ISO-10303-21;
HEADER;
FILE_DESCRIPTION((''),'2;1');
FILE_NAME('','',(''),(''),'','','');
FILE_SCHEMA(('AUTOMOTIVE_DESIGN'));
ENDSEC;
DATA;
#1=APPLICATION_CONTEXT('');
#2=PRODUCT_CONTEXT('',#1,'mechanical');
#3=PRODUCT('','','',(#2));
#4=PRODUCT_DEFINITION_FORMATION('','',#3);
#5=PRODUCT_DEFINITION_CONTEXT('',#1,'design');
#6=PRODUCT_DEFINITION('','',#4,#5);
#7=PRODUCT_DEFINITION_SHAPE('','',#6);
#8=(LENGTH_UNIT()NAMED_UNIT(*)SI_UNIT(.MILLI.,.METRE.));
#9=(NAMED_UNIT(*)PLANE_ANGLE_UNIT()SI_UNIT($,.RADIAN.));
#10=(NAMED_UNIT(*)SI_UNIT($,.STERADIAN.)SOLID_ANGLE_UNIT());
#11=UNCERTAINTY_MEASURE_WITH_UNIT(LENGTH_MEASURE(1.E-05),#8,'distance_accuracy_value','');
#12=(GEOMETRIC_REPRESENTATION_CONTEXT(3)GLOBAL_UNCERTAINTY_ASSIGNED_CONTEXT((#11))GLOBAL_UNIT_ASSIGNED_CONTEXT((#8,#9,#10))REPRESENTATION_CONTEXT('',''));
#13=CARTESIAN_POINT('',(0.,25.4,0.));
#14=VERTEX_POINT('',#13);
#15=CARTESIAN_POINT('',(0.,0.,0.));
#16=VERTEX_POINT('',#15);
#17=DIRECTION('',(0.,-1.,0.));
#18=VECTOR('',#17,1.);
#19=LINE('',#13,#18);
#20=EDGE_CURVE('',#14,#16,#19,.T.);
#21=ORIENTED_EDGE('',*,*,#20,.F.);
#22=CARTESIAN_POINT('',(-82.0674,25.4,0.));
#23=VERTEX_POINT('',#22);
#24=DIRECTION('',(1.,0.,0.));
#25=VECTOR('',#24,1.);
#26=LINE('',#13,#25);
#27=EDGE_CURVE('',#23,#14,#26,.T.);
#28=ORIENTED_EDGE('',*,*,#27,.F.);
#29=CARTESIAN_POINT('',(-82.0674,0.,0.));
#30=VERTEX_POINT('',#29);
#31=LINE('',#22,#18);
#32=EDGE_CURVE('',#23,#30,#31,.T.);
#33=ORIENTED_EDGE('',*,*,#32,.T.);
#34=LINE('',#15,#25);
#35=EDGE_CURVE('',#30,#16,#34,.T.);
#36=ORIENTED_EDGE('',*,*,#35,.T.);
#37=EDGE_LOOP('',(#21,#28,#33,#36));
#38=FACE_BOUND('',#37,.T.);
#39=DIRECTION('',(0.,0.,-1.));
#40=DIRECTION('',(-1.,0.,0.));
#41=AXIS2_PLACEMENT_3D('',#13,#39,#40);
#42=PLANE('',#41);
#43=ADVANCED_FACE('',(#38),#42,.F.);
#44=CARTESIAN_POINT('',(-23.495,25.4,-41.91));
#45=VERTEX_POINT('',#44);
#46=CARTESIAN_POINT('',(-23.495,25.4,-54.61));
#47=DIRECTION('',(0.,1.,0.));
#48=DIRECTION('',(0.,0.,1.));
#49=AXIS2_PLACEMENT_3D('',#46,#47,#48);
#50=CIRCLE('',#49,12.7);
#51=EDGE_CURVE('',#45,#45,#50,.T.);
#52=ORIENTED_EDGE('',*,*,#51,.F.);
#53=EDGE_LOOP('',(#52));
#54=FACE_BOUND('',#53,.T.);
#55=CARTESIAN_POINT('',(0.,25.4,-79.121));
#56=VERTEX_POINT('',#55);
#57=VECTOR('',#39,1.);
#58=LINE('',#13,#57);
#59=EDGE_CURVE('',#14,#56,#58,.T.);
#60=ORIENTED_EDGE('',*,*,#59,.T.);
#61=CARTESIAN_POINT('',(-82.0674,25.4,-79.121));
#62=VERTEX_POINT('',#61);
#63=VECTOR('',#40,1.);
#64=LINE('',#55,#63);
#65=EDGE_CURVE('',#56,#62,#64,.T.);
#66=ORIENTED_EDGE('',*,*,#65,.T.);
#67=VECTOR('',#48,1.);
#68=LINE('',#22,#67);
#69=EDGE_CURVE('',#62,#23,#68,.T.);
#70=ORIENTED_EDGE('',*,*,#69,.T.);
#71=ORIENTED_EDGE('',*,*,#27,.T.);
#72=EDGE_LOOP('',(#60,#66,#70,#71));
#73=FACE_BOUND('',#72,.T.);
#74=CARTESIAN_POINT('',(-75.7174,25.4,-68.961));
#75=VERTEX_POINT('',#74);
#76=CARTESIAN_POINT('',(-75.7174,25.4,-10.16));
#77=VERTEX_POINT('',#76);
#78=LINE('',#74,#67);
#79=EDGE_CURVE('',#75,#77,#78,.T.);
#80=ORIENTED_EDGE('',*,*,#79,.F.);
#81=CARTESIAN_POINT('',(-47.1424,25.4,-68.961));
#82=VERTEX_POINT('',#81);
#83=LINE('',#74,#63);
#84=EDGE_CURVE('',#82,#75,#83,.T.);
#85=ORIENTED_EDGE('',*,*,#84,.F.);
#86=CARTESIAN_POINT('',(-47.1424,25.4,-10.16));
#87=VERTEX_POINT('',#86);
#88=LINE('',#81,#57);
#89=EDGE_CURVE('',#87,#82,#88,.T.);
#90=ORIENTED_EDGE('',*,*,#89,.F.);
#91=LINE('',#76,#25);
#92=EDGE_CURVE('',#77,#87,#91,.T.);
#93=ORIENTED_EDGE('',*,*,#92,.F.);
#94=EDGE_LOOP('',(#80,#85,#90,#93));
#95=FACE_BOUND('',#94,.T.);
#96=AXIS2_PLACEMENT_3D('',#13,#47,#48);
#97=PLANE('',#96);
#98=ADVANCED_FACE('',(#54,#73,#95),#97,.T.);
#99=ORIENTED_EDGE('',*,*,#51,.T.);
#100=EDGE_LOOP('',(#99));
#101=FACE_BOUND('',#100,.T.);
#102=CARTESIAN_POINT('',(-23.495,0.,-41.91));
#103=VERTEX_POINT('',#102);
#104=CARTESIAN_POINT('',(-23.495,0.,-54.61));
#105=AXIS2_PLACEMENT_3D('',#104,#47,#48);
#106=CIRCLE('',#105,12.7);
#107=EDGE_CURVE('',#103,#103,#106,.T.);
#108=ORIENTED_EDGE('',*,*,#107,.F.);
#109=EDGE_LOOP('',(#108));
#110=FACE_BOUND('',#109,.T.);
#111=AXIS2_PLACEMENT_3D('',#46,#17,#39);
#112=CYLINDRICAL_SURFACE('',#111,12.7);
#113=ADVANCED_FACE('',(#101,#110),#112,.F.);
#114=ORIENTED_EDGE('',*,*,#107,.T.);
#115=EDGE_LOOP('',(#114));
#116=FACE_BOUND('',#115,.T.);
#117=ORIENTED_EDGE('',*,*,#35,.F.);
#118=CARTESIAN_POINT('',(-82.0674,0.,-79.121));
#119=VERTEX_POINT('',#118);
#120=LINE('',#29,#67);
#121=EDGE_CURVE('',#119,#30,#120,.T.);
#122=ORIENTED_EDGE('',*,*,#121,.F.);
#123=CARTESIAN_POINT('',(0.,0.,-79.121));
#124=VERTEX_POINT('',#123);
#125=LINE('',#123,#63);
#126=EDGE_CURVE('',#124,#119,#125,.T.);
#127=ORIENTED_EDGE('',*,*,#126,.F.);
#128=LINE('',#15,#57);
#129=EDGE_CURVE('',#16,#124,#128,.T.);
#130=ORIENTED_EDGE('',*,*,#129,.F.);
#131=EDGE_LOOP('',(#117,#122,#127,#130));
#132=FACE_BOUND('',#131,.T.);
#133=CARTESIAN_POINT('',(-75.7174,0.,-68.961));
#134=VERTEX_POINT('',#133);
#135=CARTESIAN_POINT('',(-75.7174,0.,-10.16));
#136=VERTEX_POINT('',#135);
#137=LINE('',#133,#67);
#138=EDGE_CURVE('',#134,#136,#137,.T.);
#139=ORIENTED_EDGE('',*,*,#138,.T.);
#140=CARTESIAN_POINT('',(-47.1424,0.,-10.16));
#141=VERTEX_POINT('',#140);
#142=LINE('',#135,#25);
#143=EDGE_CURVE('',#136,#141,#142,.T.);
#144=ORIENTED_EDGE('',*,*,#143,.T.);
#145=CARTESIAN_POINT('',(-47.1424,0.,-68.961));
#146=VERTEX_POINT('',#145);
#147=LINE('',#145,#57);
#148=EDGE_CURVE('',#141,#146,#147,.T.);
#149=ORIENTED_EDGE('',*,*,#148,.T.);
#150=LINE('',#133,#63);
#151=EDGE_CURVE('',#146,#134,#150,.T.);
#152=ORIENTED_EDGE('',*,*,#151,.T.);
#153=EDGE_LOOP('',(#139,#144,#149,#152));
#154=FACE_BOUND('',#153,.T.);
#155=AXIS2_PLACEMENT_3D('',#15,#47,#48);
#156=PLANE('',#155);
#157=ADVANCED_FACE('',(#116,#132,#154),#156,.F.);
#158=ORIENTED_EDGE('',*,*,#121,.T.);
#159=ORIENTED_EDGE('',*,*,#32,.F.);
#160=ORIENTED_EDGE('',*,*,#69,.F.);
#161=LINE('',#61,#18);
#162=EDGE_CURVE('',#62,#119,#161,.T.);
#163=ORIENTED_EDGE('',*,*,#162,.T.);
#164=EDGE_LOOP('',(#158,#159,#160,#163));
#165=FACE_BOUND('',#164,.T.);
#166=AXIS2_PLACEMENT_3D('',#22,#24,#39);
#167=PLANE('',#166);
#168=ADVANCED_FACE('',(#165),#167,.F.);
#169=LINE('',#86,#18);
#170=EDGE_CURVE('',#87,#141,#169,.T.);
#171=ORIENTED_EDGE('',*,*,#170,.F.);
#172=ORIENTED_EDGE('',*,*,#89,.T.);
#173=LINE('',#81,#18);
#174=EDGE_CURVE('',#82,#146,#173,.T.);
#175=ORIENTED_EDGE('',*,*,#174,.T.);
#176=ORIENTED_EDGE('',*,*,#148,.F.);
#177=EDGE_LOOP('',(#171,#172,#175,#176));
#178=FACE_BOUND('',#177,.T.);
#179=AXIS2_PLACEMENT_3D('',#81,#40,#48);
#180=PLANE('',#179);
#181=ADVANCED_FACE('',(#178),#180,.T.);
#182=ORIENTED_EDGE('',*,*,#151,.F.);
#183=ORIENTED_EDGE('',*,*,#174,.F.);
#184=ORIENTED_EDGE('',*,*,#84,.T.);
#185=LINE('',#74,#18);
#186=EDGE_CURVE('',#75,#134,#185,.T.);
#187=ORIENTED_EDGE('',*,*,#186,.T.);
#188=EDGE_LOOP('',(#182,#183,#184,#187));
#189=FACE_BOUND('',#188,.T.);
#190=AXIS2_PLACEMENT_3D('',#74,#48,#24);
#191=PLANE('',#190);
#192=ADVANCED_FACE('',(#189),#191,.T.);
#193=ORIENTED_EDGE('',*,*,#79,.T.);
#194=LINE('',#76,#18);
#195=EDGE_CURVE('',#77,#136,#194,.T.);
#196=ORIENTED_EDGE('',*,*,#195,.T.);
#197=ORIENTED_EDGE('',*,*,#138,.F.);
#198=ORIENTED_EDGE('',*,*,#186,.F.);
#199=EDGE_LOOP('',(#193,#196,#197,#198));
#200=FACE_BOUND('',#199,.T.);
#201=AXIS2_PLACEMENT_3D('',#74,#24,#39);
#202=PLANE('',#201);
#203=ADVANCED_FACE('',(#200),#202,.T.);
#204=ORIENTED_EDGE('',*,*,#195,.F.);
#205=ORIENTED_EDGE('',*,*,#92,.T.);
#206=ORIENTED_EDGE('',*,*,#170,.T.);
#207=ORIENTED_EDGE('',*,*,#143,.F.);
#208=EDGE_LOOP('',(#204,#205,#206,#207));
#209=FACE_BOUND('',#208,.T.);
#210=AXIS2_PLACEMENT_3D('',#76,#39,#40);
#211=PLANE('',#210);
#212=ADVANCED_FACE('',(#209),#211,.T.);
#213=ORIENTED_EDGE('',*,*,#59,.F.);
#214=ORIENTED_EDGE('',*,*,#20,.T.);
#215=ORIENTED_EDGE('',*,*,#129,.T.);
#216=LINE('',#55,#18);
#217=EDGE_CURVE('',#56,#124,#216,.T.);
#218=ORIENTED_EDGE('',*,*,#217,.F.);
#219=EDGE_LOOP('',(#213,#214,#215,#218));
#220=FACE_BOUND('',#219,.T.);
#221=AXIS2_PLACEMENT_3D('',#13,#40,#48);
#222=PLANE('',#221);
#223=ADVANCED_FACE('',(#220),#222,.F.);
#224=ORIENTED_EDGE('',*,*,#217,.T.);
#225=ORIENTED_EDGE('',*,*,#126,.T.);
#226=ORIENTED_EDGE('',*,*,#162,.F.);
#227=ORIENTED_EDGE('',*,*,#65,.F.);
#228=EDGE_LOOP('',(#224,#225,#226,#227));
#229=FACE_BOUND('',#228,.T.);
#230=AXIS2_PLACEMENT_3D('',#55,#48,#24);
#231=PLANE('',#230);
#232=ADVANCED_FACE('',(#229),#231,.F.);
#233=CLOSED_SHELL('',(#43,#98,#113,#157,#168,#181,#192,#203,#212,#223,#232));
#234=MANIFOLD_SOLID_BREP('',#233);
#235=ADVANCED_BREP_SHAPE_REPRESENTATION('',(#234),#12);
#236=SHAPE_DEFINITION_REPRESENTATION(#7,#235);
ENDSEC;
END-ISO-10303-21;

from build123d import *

# Parameters (mm, degrees)
SKETCH1_W           = 82.0674
SKETCH1_H           = 79.121
SKETCH1_R           = 12.7
SKETCH1_W_2         = 28.575
SKETCH1_H_2         = 58.801
BOSS_EXTRUDE1_DEPTH = 25.4


with BuildPart() as part:
    # Sketch1 → Boss-Extrude1 (new body)
    with BuildSketch(Plane(origin=(0, 0, 0), x_dir=(1, 0, 0), z_dir=(0, 1, 0))):
        with Locations((-41.0337, 39.5605)):
            Rectangle(SKETCH1_W, SKETCH1_H)
        with Locations(Location((-23.495, 54.61, 0), (0, 0, 270))):
            Circle(SKETCH1_R, mode=Mode.SUBTRACT)
        with Locations((-61.4299, 39.5605)):
            Rectangle(SKETCH1_W_2, SKETCH1_H_2, mode=Mode.SUBTRACT)
    extrude(amount=BOSS_EXTRUDE1_DEPTH)


solid = part.part
